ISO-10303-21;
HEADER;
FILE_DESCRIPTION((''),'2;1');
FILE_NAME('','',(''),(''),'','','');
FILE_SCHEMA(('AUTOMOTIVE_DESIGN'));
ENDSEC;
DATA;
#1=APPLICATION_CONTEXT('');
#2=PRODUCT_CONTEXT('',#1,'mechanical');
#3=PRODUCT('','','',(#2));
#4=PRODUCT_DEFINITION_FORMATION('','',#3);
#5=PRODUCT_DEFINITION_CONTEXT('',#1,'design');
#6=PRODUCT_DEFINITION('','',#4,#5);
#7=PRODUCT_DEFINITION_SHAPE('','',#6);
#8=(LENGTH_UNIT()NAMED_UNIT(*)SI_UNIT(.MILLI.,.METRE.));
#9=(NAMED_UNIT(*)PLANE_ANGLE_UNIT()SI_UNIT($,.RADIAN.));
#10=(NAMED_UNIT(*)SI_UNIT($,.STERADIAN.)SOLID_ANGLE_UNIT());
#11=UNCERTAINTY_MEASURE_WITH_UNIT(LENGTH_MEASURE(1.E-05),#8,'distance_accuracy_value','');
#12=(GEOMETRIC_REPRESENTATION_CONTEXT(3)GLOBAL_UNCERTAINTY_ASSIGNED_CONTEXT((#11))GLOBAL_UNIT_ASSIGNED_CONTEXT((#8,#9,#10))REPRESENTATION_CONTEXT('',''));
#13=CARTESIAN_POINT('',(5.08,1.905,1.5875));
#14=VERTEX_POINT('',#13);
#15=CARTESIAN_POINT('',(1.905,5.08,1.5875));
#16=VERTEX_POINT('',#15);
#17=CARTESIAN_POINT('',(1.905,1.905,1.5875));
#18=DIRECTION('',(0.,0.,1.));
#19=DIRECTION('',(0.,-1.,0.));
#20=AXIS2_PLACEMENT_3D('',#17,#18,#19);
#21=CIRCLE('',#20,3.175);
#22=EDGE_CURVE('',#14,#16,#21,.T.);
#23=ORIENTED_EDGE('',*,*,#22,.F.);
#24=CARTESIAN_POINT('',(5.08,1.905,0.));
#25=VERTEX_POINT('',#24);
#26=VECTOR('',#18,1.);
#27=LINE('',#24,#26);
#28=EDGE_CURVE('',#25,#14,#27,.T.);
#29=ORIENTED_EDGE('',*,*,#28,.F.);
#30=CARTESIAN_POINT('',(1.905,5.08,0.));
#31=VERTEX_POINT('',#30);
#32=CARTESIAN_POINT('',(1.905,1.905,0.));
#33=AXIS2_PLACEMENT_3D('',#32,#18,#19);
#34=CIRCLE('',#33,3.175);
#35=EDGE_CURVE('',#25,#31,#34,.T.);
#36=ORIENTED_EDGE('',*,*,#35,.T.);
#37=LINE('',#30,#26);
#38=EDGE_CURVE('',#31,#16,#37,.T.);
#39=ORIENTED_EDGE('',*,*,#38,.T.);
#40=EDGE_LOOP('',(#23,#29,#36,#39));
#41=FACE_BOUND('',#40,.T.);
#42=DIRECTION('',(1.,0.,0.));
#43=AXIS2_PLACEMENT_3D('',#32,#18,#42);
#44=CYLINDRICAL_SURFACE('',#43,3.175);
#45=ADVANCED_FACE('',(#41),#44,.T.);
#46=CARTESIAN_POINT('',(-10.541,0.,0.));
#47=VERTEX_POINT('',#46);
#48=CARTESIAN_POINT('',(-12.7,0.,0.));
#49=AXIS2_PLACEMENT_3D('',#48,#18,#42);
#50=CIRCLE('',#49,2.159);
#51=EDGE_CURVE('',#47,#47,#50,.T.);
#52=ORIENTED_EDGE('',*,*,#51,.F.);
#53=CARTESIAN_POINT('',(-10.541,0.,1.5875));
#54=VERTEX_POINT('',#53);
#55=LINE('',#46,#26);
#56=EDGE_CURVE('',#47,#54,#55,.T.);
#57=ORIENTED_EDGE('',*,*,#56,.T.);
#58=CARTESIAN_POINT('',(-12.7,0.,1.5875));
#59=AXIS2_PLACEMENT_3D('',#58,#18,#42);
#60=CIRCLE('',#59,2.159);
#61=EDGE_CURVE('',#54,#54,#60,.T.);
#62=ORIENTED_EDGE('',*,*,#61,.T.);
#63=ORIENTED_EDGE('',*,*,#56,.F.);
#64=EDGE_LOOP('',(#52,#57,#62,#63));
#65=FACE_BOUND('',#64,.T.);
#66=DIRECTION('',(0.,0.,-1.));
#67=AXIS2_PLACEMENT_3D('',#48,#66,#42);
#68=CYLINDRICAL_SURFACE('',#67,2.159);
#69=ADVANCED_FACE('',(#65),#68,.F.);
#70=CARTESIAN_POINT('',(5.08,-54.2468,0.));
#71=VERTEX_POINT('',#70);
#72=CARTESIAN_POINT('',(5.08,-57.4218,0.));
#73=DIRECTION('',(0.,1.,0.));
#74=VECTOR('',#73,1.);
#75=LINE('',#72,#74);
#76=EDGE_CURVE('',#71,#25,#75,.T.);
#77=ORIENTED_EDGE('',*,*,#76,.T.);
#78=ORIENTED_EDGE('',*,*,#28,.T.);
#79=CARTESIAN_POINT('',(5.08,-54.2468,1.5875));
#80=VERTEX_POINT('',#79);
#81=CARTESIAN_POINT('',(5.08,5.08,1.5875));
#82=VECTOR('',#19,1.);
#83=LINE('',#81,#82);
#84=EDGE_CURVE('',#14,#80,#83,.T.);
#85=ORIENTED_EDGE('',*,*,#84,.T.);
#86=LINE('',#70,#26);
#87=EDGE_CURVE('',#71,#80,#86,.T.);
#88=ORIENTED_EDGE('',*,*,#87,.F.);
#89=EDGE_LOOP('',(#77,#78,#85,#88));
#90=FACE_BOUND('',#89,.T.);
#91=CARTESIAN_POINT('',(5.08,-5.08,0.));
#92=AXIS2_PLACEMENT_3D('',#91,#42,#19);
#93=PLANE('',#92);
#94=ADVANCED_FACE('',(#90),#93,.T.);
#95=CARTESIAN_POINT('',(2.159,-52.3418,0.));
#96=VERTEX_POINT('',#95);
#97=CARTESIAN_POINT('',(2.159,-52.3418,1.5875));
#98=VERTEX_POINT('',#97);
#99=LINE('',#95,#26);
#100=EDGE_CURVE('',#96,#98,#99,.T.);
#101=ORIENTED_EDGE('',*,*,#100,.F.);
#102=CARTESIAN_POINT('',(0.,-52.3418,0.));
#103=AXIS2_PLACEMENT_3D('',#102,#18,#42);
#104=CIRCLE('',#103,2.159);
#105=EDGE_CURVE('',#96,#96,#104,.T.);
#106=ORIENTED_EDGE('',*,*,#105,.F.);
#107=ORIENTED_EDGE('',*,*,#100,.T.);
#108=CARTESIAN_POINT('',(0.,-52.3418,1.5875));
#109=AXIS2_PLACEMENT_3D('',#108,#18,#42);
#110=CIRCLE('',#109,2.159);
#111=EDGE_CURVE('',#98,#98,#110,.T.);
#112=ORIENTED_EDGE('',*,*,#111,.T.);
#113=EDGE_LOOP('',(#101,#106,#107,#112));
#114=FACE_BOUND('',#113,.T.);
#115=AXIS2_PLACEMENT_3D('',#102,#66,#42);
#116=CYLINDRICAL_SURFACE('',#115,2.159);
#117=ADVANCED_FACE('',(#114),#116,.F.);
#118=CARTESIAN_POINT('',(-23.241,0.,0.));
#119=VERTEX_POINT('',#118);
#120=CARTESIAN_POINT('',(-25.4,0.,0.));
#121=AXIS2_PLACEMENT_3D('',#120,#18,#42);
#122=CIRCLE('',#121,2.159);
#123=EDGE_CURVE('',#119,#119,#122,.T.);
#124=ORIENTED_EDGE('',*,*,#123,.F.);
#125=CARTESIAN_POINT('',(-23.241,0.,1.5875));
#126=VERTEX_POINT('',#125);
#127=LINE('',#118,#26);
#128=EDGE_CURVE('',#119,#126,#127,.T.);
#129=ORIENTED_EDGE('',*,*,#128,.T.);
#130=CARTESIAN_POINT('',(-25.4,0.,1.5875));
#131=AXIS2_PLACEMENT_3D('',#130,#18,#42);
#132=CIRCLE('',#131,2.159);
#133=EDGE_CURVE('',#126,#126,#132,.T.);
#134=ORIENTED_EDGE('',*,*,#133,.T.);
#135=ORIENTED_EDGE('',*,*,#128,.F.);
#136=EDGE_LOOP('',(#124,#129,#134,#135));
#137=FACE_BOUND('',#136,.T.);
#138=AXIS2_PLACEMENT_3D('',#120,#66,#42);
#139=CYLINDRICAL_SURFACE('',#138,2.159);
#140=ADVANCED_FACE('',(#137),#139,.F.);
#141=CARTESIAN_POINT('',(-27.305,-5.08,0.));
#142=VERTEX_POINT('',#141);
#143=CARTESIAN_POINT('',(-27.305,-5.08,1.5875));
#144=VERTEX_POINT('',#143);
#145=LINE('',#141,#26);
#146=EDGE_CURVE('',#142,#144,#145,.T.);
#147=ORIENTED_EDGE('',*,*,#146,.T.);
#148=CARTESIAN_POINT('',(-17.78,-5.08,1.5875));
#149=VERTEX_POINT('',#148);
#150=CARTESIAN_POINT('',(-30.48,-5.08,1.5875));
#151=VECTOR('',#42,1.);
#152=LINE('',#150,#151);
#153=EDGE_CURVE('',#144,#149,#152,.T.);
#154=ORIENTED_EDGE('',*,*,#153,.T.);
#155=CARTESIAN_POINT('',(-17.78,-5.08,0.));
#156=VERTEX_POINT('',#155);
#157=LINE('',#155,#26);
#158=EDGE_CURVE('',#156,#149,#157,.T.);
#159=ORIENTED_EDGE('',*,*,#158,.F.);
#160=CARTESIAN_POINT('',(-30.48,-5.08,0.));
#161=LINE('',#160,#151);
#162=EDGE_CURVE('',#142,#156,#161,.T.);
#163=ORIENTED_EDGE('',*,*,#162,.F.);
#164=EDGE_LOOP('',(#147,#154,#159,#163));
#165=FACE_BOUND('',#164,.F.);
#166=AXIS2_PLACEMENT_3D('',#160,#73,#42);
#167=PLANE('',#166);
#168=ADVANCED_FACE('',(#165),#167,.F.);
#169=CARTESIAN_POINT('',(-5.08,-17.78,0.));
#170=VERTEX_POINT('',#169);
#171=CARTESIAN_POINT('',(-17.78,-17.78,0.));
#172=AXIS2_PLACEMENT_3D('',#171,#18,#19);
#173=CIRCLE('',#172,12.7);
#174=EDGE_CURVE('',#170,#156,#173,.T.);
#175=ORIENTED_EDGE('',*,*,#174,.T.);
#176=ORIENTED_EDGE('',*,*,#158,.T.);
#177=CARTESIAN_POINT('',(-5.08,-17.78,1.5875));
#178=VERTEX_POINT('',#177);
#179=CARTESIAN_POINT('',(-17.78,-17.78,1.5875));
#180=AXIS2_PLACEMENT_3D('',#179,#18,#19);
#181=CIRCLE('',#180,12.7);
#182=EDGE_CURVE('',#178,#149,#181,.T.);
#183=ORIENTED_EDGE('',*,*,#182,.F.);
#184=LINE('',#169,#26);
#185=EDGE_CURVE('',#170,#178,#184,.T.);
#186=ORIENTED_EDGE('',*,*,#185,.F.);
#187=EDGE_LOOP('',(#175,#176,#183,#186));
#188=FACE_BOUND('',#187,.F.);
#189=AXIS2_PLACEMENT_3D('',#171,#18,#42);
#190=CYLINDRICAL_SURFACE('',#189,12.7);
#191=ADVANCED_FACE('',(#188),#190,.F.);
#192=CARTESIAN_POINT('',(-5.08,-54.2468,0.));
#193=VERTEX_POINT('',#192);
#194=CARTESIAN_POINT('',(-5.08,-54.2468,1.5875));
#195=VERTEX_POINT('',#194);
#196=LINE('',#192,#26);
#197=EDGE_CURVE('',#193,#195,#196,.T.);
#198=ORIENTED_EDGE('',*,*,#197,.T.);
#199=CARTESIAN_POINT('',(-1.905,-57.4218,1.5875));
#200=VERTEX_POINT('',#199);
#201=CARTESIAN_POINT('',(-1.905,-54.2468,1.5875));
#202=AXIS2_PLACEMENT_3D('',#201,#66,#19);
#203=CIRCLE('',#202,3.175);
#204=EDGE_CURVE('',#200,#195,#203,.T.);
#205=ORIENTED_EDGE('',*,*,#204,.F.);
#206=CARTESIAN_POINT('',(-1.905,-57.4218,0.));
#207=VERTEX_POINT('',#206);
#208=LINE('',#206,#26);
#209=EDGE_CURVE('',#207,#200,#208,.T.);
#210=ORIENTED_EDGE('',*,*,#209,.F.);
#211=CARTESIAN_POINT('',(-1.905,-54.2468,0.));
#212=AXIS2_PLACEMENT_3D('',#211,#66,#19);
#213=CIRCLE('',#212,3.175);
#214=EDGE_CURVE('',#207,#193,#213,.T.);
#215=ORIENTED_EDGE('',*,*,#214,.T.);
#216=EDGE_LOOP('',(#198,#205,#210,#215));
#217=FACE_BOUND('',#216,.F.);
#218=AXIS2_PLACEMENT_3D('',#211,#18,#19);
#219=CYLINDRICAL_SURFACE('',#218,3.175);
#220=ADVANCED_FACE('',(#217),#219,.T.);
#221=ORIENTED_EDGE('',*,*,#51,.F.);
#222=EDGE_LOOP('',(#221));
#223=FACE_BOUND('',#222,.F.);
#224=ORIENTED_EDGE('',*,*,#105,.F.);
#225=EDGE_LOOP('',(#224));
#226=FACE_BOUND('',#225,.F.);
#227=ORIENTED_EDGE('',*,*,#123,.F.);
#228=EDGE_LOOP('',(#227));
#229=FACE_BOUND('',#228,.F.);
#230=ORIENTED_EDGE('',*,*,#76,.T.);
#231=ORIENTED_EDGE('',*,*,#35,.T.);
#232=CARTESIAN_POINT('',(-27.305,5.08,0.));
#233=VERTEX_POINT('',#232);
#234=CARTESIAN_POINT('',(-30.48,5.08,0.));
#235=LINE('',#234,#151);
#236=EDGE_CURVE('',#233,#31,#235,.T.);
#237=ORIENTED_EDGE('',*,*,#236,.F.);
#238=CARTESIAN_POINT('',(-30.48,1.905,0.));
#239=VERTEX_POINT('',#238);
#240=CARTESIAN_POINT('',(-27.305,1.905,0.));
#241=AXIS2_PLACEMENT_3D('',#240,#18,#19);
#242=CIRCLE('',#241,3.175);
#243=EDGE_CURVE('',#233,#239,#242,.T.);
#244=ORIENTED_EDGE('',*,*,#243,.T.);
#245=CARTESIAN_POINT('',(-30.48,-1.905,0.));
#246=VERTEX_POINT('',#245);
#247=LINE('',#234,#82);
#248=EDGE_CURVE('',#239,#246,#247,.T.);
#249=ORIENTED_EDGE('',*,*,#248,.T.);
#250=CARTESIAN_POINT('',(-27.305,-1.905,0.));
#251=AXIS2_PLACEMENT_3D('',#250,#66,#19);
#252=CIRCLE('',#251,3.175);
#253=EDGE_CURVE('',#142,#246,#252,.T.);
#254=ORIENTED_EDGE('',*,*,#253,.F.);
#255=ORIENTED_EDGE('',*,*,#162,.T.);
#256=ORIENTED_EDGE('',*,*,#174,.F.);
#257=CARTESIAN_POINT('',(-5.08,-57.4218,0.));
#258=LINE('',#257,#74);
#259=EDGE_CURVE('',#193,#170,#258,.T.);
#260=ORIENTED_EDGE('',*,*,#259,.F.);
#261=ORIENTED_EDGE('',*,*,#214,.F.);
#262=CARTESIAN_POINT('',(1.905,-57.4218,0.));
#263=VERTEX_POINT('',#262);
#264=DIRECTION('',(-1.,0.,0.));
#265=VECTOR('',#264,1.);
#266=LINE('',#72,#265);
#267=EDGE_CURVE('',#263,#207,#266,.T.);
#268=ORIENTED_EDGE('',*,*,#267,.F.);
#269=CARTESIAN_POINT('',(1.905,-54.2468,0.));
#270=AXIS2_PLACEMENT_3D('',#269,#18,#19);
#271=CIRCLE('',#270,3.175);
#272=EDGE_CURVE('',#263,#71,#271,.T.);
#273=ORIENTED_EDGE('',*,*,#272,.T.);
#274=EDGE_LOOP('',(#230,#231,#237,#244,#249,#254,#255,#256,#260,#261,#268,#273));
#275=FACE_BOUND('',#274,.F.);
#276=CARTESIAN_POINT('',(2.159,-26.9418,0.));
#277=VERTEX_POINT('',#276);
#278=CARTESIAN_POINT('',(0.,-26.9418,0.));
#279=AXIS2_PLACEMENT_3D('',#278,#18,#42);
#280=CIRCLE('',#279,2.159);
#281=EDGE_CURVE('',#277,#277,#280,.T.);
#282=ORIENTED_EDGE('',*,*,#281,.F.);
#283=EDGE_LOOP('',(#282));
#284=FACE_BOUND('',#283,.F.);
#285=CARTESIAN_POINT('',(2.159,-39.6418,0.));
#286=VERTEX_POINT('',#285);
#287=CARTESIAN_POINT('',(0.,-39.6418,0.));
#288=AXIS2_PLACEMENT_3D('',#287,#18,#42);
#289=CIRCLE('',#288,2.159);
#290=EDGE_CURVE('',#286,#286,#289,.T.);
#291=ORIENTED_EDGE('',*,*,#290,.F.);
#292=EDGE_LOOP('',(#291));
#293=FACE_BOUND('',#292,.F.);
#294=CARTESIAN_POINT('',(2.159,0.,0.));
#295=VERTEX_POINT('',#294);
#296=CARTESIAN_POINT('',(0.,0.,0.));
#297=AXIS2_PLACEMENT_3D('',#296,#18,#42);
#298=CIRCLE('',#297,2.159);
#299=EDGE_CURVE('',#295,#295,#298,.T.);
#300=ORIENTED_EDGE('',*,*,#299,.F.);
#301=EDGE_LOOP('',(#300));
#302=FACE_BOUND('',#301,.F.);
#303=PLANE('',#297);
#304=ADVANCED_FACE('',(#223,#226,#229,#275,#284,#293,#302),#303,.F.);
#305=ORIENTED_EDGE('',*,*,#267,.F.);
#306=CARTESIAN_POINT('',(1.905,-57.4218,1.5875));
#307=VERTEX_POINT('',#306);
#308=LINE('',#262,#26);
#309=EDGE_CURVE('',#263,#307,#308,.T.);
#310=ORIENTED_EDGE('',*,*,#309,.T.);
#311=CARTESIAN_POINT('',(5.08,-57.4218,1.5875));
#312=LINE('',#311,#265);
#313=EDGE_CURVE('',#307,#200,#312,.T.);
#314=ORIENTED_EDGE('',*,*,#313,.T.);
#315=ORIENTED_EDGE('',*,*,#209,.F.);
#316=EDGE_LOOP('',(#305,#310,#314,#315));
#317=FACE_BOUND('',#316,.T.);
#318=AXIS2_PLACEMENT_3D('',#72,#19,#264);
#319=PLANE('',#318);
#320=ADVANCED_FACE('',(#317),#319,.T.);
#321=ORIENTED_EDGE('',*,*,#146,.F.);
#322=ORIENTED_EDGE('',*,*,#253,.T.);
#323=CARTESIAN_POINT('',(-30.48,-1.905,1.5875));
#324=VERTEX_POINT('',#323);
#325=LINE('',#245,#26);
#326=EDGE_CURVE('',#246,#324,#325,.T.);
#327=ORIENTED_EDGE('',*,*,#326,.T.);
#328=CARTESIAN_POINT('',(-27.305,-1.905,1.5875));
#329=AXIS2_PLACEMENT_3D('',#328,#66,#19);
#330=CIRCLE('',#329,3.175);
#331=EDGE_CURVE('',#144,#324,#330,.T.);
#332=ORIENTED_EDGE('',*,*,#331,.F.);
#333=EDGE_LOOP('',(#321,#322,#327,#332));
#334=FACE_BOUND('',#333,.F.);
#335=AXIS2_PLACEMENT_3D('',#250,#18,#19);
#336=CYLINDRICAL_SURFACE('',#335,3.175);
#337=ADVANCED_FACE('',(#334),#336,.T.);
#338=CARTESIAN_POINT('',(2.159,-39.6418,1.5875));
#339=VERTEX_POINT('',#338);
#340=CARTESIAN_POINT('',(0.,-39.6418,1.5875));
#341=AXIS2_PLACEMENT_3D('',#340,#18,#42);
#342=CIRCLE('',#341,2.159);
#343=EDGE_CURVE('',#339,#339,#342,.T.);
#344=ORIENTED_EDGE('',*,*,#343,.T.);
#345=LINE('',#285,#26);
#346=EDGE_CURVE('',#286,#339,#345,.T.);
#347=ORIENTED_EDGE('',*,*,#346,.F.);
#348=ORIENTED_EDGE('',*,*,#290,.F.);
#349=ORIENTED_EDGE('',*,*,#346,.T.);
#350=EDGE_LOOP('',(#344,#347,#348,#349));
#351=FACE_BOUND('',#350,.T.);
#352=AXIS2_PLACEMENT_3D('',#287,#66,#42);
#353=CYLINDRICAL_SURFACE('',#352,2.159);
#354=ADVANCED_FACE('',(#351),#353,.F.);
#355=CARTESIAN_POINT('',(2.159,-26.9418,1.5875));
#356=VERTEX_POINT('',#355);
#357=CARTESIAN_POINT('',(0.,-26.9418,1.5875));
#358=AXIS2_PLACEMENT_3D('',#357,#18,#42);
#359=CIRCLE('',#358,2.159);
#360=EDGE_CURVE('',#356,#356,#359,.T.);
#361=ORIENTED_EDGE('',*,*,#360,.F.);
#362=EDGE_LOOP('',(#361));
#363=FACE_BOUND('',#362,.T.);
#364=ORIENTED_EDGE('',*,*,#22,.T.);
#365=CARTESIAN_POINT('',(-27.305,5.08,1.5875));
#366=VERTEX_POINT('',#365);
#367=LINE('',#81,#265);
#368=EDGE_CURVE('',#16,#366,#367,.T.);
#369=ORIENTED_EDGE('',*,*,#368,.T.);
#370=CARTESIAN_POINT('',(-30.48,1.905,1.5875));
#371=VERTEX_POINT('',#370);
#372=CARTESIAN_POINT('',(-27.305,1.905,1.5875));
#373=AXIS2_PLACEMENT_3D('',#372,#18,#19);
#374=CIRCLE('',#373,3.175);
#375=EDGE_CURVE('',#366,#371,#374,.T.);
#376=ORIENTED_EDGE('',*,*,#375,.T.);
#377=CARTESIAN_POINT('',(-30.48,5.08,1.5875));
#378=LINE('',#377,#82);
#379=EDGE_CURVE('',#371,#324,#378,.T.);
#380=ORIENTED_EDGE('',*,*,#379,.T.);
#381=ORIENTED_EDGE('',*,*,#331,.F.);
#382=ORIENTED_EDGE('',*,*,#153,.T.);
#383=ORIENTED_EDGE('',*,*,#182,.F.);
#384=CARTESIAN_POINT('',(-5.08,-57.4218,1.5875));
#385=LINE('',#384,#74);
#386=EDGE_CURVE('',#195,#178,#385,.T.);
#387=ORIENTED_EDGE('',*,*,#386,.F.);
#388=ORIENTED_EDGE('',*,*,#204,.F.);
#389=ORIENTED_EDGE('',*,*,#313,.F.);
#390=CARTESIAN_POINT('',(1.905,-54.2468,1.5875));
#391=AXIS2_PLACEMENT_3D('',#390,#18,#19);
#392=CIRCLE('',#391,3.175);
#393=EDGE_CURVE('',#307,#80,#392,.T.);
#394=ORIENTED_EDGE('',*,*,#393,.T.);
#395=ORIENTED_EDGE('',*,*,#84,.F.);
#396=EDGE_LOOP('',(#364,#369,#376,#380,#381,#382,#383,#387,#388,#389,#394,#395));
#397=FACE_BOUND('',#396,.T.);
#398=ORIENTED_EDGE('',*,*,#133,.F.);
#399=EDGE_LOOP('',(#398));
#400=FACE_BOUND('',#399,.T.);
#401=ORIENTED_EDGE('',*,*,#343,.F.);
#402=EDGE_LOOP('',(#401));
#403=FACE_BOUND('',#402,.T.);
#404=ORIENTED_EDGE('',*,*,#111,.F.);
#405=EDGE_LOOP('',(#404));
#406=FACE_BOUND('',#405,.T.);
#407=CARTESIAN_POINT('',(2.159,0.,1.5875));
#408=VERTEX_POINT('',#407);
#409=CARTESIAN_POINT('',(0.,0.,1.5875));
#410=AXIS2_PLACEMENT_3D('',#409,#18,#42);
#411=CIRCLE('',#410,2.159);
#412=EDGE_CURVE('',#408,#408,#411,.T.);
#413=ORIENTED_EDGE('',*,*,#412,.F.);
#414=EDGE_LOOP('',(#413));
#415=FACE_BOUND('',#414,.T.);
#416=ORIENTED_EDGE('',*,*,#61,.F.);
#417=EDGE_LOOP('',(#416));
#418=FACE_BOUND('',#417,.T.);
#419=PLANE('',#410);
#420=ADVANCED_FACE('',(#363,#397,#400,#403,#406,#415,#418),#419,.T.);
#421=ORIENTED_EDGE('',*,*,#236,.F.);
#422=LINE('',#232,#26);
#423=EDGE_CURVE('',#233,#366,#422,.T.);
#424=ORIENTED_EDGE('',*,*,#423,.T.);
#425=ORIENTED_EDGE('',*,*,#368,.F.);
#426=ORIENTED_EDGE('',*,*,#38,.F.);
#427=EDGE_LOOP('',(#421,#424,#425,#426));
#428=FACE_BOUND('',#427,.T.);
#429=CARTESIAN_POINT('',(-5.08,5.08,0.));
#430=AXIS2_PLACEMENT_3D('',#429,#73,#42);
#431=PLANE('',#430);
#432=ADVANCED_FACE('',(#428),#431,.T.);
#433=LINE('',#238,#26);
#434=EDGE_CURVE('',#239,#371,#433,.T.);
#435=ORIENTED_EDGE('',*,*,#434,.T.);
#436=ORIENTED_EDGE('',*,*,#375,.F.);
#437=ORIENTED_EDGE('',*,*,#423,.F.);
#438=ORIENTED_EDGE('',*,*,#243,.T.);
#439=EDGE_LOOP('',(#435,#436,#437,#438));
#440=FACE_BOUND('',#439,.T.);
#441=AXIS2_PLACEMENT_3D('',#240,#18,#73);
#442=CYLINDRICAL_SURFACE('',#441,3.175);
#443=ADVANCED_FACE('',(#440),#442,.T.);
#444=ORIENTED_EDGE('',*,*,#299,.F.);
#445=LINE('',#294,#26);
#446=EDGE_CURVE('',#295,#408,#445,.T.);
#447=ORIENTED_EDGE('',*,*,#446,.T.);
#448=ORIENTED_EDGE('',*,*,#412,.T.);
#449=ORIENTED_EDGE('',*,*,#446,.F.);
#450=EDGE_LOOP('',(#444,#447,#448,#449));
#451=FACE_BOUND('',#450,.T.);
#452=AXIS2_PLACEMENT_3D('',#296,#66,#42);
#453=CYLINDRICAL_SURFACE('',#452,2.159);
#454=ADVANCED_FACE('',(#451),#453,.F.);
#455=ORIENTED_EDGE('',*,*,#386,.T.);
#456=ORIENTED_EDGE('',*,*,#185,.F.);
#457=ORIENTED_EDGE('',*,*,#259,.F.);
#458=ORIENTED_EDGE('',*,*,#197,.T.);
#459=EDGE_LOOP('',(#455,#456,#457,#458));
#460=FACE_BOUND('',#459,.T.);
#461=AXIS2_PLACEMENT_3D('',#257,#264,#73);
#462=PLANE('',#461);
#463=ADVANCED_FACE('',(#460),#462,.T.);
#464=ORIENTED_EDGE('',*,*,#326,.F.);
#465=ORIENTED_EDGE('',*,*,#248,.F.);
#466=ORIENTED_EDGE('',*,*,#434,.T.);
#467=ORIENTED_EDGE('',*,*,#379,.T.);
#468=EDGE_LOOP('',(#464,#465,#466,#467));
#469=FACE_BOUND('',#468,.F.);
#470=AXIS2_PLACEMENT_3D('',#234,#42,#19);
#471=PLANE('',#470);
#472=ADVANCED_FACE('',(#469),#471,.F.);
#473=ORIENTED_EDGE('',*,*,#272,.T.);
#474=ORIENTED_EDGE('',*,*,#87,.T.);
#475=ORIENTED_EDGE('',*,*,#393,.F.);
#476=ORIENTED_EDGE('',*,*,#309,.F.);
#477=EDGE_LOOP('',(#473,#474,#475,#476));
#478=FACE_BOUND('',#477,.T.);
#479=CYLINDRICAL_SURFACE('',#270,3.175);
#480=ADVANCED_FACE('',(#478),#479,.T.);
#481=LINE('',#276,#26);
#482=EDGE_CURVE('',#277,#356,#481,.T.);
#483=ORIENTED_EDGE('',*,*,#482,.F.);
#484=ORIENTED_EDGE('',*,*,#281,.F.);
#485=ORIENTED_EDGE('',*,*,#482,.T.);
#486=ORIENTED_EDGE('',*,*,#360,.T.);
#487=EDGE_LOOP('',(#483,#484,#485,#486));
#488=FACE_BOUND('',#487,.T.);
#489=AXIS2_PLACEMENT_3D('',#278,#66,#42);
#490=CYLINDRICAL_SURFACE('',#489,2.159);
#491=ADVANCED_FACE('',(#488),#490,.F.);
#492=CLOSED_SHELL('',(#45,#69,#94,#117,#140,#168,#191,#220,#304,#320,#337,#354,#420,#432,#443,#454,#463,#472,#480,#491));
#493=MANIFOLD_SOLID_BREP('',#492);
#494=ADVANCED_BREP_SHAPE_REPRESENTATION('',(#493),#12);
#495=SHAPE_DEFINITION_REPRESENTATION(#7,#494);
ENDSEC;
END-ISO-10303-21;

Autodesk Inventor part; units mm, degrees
ref_plane "YZ Plane" through (0, 0, 0) normal (1, 0, 0) x (0, 1, 0)
ref_plane "XZ Plane" through (0, 0, 0) normal (0, 1, 0) x (-1, 0, 0)
ref_plane "XY Plane" through (0, 0, 0) normal (0, 0, 1) x (1, 0, 0)
sketch "Sketch1" plane through (0, 0, 0) normal (0, 0, 1) x (1, 0, 0)
  circle A0 centre (0, 0) radius 2.159
  line L0 (0, 0) -> (-38.1, 0) construction
  line L1 (0, 0) -> (0, -26.9418) construction
  circle A1 centre (-12.7, 0) radius 2.159
  circle A2 centre (-25.4, 0) radius 2.159
  circle A3 centre (0, -26.9418) radius 2.159
  circle A4 centre (0, -39.6418) radius 2.159
  circle A5 centre (0, -52.3418) radius 2.159
  line L2 (5.08, -57.4218) -> (-5.08, -57.4218)
  line L3 (-5.08, -57.4218) -> (-5.08, 5.08)
  line L4 (-5.08, 5.08) -> (5.08, 5.08)
  line L5 (5.08, 5.08) -> (5.08, -57.4218)
  circle A6 centre (0, -52.3418) radius 5.08 construction
  circle A7 centre (0, 0) radius 5.08 construction
  line L6 (5.08, 5.08) -> (-30.48, 5.08)
  line L7 (-30.48, 5.08) -> (-30.48, -5.08)
  line L8 (-30.48, -5.08) -> (5.08, -5.08)
  line L9 (5.08, -5.08) -> (5.08, 5.08)
  circle A8 centre (-25.4, 0) radius 5.08 construction
  point P0 (-5.08, 5.08)
  point P1 (-5.08, -5.08)
  point P2 (-5.08, 5.08)
  point P3 (5.08, -5.08)
  dimension "d5" = 12.7
  dimension "d21" = 26.9418
  dimension "d22" = 4.318
  dimension "d25" = 12.7
  dimension "d30" = 10.16
extrude "Extrusion1" add sketch "Sketch1" along normal blind 1.5875
fillet "Fillet1" radius 3.175 5 edges at (-30.48, -5.08, 0.7937) (-30.48, 5.08, 0.7937) (5.08, 5.08, 0.7937) (5.08, -57.4218, 0.7937) (-5.08, -57.4218, 0.7937)
fillet "Fillet2" radius 12.7 1 edges at (-5.08, -5.08, 0.7937)
properties part number "Inner_Strut_Gusset" material "Aluminum 6061"
